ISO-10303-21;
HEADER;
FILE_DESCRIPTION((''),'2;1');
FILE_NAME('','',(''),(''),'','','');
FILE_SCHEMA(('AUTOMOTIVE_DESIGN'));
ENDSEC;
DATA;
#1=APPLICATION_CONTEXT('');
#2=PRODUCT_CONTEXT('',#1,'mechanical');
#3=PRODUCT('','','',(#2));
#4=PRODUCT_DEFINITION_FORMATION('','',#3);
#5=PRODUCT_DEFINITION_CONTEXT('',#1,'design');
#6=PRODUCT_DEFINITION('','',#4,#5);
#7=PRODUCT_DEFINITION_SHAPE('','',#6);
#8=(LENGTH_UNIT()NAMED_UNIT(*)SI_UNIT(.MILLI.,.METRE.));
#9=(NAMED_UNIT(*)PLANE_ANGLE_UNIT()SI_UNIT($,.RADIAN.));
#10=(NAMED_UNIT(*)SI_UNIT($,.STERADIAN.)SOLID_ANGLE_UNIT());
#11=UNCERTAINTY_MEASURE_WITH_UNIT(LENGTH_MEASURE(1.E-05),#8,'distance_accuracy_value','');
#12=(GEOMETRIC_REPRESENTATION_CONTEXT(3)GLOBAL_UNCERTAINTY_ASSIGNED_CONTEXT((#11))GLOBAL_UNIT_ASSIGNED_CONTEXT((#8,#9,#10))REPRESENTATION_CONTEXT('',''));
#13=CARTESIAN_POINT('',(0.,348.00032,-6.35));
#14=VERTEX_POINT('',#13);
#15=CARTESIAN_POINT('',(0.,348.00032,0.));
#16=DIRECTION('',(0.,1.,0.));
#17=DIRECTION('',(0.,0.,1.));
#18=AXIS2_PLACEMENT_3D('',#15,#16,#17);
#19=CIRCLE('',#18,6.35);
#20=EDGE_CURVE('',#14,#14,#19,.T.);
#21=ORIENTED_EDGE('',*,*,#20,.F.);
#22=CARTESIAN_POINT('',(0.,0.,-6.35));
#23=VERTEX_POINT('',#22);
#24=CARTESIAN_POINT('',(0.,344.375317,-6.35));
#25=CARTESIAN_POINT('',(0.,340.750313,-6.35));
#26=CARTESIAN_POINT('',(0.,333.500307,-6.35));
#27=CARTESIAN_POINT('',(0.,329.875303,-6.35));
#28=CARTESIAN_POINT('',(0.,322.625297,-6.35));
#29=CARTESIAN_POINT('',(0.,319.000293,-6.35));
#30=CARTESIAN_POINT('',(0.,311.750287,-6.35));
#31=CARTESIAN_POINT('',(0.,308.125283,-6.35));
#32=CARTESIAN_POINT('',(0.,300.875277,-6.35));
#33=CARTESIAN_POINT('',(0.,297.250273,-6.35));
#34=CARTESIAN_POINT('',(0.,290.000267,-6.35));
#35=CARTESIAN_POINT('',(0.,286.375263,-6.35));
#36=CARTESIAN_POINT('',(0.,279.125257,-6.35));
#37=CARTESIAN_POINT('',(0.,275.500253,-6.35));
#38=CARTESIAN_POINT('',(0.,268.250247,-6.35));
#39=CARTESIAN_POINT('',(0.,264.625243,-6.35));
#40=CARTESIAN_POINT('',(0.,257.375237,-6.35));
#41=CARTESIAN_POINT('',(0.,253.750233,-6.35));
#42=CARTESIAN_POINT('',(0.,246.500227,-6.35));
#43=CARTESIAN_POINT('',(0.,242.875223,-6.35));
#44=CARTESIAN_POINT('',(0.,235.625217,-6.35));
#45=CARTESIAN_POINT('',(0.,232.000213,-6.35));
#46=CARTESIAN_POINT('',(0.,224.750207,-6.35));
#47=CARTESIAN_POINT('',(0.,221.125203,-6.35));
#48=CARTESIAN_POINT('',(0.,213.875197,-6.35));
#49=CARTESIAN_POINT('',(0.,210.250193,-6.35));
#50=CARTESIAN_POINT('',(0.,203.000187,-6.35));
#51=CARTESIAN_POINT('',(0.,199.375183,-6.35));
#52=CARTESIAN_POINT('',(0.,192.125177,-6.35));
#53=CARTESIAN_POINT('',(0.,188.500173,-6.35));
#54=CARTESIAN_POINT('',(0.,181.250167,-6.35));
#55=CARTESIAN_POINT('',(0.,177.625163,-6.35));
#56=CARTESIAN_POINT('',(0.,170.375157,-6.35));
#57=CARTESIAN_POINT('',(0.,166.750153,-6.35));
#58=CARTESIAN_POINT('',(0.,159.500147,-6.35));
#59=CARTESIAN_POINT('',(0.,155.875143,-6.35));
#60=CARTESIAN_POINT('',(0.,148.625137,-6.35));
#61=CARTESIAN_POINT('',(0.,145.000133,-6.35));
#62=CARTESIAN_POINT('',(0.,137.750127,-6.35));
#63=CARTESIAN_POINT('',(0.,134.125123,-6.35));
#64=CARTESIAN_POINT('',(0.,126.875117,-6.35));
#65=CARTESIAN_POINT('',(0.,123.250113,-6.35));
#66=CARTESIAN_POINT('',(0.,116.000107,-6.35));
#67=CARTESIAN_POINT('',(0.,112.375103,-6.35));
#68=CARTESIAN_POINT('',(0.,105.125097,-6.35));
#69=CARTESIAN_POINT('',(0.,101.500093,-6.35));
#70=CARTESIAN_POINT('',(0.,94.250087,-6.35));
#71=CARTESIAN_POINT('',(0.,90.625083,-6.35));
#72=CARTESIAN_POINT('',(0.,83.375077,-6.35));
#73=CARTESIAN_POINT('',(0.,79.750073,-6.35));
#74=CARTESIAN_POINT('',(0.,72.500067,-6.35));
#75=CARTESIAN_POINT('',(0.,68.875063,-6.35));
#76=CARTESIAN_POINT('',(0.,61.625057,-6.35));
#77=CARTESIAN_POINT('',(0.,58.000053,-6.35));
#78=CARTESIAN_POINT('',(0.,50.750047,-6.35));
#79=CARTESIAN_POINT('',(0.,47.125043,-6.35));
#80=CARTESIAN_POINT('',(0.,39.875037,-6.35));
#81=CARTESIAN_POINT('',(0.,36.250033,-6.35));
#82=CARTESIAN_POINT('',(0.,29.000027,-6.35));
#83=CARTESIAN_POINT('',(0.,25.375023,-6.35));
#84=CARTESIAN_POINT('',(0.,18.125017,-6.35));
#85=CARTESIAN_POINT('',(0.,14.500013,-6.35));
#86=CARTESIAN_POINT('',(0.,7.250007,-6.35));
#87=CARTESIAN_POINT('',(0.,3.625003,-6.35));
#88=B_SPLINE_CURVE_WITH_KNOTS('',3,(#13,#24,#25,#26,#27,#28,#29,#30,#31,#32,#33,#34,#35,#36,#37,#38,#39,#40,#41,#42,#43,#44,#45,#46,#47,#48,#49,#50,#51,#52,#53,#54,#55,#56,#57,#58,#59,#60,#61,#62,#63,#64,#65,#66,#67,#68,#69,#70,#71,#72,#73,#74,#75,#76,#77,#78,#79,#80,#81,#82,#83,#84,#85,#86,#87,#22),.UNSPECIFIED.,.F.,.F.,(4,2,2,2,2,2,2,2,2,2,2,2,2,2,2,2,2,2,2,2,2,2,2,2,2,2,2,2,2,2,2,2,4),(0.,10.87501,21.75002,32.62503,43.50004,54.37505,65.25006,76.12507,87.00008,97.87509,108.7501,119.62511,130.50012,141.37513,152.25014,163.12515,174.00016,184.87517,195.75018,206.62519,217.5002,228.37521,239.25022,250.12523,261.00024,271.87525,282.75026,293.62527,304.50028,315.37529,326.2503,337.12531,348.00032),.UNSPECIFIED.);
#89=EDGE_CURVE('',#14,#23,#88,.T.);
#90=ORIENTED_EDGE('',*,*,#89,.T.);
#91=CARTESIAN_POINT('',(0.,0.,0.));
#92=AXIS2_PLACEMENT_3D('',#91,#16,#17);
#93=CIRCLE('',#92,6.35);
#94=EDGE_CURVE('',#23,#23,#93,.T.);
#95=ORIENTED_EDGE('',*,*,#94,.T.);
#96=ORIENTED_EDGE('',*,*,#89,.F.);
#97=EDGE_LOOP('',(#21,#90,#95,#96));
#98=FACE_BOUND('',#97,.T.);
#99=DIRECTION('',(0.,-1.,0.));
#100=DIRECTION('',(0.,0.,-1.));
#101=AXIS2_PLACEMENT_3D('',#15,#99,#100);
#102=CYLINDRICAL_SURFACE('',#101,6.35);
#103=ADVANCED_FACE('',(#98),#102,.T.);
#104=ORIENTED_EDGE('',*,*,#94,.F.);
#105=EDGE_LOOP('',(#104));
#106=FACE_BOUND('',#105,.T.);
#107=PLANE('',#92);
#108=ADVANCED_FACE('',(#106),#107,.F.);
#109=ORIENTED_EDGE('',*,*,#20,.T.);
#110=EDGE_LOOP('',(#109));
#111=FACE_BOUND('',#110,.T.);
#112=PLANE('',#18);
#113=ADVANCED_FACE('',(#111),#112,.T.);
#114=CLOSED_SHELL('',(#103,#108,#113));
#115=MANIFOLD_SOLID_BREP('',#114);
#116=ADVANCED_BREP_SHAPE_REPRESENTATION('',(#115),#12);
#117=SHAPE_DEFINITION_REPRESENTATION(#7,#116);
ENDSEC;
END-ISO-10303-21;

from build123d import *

# Parameters (mm, degrees)
SKETCH1_R           = 6.35
BOSS_EXTRUDE1_DEPTH = 348.00032


with BuildPart() as part:
    # Sketch1 → Boss-Extrude1 (new body)
    with BuildSketch(Plane(origin=(0, 0, 0), x_dir=(1, 0, 0), z_dir=(0, 1, 0))):
        with Locations(Location((0, 0, 0), (0, 0, 90))):
            Circle(SKETCH1_R)
    extrude(amount=BOSS_EXTRUDE1_DEPTH)


solid = part.part
